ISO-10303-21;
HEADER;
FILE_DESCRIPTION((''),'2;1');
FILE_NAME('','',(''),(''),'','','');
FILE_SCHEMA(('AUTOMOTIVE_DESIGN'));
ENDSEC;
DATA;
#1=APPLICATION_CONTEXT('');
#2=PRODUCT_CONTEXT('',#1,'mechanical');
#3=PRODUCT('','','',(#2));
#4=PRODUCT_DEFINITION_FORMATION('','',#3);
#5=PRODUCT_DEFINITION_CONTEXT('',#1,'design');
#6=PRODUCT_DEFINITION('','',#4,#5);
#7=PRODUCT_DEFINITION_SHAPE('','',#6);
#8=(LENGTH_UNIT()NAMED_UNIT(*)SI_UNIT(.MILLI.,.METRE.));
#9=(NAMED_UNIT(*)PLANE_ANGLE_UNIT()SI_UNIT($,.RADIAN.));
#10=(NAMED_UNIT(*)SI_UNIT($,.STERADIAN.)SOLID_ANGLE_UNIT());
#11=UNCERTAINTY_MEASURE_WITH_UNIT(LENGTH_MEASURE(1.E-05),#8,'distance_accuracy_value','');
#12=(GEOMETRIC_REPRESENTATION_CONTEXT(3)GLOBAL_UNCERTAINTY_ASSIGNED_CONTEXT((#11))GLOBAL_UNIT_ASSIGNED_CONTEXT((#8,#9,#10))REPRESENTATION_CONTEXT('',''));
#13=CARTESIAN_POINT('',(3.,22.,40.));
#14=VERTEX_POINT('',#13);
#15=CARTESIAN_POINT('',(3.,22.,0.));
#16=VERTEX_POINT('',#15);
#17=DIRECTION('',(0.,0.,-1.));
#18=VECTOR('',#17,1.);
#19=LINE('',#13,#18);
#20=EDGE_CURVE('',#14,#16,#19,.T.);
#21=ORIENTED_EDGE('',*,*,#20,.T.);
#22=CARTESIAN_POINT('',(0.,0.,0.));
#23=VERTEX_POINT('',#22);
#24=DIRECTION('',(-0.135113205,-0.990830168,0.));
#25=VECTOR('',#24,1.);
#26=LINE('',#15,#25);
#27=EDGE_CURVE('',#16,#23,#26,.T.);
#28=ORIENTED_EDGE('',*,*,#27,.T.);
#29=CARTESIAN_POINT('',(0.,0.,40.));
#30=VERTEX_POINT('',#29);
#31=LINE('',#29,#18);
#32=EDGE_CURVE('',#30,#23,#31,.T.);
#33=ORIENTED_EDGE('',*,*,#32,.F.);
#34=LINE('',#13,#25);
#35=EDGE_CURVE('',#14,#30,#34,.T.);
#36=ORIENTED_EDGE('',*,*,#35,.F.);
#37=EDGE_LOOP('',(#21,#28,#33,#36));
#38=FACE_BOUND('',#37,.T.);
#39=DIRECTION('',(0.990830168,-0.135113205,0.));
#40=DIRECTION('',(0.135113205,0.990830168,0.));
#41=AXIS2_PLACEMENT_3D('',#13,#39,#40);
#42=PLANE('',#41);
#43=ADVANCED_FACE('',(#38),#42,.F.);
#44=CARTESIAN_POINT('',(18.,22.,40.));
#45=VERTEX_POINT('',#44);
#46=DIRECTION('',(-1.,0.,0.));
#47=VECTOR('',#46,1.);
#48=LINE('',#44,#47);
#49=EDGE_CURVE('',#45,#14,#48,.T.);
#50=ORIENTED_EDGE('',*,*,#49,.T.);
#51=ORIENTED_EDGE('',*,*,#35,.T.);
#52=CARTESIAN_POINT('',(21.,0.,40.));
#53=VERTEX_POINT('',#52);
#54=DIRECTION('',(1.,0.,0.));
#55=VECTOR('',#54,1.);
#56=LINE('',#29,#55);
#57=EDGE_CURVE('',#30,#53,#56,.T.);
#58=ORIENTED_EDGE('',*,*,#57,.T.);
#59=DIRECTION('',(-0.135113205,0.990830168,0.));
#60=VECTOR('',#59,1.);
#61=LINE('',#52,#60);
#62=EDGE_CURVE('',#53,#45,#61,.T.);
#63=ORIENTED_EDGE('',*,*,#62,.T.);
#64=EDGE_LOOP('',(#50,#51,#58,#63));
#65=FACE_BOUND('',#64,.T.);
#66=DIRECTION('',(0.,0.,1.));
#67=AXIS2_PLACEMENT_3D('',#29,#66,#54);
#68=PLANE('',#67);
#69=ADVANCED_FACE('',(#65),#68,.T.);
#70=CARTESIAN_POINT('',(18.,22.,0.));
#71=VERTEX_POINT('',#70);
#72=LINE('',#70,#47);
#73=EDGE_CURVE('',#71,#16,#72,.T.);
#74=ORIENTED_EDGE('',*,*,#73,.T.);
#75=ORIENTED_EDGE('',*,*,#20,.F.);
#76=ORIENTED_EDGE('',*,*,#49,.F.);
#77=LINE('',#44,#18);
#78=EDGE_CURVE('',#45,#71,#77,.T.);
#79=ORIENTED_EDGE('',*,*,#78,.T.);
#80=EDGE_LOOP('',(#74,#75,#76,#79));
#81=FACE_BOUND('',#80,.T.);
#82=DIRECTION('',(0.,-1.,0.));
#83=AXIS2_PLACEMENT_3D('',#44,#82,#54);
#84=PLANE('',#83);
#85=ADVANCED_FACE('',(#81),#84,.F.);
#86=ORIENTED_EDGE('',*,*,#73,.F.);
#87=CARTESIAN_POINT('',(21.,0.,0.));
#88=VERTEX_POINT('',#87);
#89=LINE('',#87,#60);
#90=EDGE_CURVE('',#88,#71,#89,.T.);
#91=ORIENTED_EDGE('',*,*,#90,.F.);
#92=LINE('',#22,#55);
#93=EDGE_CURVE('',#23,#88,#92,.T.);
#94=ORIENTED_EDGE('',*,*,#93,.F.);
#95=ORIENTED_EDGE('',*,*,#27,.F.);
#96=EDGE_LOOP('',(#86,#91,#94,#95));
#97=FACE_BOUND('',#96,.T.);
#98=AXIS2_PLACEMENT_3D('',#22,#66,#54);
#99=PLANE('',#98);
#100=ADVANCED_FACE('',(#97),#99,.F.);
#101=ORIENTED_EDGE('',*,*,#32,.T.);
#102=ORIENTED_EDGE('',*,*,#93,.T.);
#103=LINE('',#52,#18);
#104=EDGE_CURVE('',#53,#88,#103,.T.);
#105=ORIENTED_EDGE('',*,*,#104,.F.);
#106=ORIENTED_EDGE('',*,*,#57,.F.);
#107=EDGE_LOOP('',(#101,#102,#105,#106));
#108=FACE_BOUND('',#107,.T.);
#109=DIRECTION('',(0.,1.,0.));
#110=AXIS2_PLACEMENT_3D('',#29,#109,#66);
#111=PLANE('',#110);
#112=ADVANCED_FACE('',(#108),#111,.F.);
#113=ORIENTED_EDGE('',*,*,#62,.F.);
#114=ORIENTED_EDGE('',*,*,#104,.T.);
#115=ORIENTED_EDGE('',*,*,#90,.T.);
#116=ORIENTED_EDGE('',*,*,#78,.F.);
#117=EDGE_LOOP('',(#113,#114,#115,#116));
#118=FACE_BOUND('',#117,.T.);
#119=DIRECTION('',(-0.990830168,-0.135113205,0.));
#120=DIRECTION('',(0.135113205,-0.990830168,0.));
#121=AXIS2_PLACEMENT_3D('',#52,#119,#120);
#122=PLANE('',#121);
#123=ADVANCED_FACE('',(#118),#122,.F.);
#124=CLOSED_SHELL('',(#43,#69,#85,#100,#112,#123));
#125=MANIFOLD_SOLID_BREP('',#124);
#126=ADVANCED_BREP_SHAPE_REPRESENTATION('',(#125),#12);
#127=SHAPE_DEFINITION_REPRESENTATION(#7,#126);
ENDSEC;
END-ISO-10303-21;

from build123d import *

# Parameters (mm, degrees)
SALIENTE_EXTRUIR1_DEPTH = 40


with BuildPart() as part:
    # Croquis1 → Saliente-Extruir1 (new body)
    with BuildSketch(Plane.XY):
        Polygon((0, 0), (21, 0), (18, 22), (3, 22), align=None)
    extrude(amount=SALIENTE_EXTRUIR1_DEPTH)


solid = part.part
